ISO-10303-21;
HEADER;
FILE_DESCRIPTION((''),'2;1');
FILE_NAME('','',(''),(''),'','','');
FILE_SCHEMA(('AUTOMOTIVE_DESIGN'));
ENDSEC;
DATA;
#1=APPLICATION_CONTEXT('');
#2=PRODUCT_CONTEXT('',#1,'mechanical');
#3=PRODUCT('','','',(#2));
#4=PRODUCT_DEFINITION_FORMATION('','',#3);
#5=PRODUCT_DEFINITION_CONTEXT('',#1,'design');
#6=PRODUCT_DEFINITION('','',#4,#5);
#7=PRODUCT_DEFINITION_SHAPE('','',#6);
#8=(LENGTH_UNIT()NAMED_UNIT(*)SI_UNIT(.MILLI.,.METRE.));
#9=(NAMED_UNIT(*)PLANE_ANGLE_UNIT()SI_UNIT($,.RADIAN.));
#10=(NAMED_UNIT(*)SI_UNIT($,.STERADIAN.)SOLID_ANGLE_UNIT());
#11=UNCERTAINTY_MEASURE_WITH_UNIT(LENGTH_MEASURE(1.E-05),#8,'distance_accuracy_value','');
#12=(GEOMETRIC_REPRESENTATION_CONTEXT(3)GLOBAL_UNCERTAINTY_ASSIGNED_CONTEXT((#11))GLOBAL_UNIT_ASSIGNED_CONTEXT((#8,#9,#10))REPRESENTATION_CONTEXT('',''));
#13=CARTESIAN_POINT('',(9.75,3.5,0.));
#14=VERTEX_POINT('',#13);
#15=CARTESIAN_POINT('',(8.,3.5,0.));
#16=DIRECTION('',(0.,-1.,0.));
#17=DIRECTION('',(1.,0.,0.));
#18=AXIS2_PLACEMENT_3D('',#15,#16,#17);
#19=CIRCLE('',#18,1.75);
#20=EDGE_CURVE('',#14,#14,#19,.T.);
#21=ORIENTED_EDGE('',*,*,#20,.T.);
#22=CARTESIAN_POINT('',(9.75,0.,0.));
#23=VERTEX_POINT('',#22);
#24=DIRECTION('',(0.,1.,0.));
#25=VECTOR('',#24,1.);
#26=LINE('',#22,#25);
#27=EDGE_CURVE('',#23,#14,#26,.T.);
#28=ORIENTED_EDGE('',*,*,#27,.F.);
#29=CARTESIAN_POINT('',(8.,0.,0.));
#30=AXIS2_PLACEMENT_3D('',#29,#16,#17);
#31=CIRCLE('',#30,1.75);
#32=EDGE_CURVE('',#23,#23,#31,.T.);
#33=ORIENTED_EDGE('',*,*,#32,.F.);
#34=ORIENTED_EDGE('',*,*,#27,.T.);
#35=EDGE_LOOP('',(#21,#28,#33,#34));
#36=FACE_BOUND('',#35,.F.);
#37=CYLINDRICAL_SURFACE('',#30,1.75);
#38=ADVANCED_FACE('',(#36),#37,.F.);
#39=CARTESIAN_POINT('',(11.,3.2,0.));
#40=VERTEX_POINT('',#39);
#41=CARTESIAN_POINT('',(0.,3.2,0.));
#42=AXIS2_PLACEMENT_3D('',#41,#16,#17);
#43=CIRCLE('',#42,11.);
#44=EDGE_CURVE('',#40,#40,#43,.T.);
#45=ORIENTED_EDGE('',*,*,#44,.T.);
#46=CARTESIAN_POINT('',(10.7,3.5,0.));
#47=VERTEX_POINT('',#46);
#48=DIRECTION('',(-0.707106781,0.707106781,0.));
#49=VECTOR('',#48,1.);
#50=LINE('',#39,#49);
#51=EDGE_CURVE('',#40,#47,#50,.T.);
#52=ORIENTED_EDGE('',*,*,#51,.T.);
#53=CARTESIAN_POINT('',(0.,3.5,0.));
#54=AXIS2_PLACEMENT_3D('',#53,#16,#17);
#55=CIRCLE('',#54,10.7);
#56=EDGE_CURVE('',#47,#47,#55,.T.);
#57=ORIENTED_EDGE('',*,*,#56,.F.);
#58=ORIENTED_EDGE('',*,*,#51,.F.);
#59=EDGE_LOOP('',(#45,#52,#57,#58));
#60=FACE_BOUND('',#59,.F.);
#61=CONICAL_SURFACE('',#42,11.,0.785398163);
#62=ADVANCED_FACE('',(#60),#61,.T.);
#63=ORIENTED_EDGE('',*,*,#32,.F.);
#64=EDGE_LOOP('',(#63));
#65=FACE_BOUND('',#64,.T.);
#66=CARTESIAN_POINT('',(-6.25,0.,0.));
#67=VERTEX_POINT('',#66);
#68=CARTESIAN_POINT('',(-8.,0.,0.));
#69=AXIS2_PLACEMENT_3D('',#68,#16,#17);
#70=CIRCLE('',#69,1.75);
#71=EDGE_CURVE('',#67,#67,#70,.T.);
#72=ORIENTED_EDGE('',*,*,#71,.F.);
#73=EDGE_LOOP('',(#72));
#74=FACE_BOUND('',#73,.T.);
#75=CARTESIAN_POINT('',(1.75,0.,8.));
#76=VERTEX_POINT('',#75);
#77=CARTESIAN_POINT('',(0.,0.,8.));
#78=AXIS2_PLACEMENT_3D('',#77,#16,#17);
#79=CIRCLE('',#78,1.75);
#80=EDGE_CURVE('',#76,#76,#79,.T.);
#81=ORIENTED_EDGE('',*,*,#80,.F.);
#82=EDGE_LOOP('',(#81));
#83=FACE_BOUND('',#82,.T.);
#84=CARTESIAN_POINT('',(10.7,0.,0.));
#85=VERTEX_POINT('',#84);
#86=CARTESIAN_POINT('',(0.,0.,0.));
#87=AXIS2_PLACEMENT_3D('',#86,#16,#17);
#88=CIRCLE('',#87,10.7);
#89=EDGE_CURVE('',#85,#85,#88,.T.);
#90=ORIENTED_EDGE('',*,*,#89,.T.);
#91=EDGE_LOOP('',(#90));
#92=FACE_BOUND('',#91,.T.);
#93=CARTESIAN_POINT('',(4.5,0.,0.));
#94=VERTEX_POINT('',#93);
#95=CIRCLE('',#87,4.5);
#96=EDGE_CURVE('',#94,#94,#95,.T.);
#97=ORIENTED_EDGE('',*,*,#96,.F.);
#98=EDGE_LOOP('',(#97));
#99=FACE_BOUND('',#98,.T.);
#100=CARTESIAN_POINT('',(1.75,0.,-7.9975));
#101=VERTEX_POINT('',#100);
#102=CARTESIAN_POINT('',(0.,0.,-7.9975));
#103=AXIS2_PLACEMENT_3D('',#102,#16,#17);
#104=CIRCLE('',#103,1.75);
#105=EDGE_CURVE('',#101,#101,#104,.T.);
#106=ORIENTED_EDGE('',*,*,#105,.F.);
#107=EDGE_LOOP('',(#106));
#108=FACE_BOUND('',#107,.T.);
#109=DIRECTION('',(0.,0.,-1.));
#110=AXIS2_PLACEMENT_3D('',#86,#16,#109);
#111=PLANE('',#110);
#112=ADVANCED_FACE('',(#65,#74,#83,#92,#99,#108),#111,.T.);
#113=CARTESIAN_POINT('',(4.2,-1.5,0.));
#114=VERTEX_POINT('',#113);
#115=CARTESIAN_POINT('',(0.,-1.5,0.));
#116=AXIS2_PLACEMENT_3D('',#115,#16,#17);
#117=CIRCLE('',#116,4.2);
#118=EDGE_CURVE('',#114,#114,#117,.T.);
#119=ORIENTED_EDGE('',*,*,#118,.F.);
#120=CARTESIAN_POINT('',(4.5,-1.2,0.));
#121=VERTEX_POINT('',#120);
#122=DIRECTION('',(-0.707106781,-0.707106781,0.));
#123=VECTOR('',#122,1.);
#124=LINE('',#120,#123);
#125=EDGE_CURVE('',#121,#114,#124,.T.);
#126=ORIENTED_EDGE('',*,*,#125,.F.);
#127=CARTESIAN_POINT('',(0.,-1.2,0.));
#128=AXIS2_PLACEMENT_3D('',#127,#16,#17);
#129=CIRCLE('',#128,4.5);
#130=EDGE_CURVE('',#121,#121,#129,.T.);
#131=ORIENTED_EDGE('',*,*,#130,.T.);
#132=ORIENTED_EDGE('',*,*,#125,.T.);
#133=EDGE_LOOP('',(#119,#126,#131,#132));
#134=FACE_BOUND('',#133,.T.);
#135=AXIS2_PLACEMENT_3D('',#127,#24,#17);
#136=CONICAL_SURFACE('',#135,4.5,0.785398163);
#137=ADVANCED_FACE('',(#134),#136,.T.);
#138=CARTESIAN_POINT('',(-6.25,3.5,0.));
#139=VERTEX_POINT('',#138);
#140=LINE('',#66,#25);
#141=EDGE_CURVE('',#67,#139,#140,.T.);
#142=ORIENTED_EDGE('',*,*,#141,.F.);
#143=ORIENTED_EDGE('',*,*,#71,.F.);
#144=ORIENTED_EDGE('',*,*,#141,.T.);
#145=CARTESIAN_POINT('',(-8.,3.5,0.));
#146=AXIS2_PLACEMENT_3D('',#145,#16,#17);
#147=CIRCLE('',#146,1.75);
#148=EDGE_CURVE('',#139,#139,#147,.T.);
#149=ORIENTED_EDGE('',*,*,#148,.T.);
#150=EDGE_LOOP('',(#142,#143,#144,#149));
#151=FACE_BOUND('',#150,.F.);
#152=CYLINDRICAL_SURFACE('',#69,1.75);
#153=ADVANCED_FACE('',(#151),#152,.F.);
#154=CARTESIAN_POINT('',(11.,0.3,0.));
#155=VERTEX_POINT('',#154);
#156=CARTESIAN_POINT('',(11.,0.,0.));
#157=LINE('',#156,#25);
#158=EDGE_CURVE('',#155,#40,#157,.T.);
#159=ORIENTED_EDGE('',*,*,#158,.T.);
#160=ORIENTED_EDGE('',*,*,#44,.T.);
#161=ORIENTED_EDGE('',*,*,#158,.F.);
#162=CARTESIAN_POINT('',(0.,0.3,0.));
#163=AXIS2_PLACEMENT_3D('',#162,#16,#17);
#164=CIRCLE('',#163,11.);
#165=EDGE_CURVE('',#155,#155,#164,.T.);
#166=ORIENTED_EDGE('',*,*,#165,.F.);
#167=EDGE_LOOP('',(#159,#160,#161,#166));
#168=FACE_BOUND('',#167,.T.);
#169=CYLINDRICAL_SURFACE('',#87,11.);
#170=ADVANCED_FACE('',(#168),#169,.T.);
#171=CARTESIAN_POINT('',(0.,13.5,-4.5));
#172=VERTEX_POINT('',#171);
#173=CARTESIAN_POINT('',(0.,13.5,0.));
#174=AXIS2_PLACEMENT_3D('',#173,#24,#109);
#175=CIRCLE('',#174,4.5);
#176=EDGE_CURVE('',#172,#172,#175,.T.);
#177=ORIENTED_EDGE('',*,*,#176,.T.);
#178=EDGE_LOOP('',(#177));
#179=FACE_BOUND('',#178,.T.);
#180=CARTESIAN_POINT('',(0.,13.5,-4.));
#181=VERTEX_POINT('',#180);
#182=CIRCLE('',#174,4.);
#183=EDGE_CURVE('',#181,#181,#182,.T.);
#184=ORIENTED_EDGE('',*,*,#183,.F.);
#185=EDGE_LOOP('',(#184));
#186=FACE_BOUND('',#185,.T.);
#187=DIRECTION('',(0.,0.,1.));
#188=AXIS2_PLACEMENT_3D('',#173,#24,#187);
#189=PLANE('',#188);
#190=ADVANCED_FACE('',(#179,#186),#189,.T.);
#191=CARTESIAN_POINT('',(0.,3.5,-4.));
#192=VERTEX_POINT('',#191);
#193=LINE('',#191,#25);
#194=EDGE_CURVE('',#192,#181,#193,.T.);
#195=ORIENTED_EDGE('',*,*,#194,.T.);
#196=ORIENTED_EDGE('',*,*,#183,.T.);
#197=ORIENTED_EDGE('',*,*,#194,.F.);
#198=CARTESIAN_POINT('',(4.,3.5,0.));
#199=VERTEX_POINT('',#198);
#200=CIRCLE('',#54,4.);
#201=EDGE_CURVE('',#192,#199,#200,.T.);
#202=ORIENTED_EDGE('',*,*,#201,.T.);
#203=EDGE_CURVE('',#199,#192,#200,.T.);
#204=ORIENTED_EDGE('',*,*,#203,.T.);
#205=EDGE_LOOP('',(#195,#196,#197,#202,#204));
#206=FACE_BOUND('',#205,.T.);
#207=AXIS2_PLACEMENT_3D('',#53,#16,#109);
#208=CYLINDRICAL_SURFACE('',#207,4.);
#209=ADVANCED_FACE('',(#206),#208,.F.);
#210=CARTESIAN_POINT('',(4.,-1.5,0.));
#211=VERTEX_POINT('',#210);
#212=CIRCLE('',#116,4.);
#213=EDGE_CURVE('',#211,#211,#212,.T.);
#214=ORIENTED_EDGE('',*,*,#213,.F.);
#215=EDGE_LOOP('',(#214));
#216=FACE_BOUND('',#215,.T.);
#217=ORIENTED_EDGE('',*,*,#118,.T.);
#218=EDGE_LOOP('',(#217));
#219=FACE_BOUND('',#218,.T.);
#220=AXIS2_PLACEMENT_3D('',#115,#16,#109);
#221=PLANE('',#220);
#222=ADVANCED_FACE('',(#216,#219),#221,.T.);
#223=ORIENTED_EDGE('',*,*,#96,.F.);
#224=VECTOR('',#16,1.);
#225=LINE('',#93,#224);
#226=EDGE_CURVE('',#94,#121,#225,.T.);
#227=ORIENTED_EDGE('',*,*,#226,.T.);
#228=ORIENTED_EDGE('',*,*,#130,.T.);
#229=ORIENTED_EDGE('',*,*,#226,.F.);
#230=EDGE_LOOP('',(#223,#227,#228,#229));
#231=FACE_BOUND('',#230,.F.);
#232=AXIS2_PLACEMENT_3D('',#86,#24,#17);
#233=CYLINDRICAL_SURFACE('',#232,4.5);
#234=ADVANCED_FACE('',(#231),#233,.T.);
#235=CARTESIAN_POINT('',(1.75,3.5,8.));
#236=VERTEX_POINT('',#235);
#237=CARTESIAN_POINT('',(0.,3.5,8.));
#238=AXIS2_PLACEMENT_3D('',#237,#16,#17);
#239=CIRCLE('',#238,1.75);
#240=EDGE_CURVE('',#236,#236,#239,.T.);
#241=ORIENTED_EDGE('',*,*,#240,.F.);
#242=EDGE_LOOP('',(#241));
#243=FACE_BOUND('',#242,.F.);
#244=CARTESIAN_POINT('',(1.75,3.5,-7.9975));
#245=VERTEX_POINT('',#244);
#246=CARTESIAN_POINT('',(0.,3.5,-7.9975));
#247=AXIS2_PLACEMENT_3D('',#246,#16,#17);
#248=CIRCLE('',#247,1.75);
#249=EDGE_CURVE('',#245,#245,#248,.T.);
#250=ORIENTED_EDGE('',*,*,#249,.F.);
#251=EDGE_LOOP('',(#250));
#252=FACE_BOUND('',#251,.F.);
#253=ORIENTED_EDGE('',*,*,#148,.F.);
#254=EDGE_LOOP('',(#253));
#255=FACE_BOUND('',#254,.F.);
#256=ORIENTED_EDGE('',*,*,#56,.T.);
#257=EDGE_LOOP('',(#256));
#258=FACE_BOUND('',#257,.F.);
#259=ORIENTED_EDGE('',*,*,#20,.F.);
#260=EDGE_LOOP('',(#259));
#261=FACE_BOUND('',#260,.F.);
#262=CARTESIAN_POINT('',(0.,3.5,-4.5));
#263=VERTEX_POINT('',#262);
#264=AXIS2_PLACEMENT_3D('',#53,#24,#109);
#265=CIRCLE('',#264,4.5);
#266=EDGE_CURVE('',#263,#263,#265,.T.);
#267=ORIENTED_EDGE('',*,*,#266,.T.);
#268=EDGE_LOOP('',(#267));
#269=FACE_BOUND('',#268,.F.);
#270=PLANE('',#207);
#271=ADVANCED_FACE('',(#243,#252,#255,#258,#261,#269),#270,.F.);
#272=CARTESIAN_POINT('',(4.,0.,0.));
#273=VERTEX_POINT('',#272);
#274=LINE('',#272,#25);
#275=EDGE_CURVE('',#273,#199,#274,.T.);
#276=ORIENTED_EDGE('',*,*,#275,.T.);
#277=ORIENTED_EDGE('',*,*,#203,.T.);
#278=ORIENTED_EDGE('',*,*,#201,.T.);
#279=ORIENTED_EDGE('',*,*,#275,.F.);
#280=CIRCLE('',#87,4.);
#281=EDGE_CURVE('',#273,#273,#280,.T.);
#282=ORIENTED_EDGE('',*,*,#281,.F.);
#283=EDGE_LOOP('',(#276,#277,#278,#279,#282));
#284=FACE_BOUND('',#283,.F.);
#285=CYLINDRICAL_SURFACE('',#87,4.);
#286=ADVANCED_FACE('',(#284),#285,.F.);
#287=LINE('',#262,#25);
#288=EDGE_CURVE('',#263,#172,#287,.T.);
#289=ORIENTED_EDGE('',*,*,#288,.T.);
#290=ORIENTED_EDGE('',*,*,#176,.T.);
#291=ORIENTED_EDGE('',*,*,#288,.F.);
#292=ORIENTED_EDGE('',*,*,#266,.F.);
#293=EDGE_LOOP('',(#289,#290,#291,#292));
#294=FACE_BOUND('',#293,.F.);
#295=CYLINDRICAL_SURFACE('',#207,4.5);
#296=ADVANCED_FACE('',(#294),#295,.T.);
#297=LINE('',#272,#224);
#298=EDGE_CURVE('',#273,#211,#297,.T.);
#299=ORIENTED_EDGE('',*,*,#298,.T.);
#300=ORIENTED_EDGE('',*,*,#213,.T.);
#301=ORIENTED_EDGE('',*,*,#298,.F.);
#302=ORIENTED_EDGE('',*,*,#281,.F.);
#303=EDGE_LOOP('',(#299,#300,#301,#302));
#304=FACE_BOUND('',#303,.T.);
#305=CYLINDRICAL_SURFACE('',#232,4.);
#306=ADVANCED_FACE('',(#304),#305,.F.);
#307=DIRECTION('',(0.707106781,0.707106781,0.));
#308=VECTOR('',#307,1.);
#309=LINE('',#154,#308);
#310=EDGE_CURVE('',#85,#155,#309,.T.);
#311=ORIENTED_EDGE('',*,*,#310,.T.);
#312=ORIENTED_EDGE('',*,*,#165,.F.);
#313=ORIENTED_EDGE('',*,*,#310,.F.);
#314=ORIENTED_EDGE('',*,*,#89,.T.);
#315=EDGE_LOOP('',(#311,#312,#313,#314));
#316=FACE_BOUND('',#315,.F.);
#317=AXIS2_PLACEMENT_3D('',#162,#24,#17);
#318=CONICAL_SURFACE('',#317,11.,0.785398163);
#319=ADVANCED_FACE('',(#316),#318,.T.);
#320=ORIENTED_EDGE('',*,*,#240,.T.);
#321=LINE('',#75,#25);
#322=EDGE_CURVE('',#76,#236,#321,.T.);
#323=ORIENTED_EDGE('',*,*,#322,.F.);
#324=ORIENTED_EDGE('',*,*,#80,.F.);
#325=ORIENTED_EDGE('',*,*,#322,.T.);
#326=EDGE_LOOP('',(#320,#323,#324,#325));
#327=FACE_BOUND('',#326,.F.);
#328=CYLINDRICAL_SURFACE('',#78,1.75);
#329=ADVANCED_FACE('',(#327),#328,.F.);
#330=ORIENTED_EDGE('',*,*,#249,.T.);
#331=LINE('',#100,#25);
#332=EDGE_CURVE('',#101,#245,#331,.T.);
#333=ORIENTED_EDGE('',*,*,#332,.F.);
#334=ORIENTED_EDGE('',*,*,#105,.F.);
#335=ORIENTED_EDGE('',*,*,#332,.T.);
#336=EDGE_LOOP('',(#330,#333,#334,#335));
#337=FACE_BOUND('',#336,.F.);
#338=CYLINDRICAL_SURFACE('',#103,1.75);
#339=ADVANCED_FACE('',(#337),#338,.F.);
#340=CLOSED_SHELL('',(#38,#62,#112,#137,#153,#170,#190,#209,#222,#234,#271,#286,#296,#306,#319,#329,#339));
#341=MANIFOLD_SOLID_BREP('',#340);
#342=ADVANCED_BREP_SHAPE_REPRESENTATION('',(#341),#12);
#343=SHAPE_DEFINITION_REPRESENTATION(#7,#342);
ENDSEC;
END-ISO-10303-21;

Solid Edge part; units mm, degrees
sketch "Sketch1" plane through (0, 0, 0) normal (0, -1, 0) x (1, 0, 0)
  circle A0 centre (0, 0) radius 11
  circle A1 centre (8, 0) radius 1.75
  circle A2 centre (0, -7.9975) radius 1.75
  circle A3 centre (-8, 0) radius 1.75
  circle A4 centre (0, 8) radius 1.75
  circle A5 centre (0, 0) radius 4
  dimension "D1" = 22
  dimension "D2" = 8
  dimension "D3" = 3.5
  dimension "D4" = 15.9975
  dimension "D5" = 3.5
  dimension "D6" = 3.5
  dimension "D7" = 3.5
extrude "Protrusion1" add sketch "Sketch1" against normal blind 3.5
sketch "Sketch2" plane through (0, 0, 0) normal (0, -1, 0) x (1, 0, 0)
  circle A0 centre (0, 0) radius 4
  circle A1 centre (0, 0) radius 4.5
extrude "ExtrudedProtrusion_2" add sketch "Sketch2" along normal blind 1.5
chamfer "Chamfer_1" distance 0.3 angle 45 1 edges at (-4.5, -1.5, 0)
chamfer "Chamfer_2" distance 0.3 angle 45 2 edges at (-11, 0, 0) (-11, 3.5, 0)
sketch "Sketch3" plane through (0, 3.5, 0) normal (0, 1, 0) x (0, 0, -1)
  circle A0 centre (0, 0) radius 4.5
  circle A1 centre (0, 0) radius 4
extrude "ExtrudedProtrusion_3" add sketch "Sketch3" along normal blind 10
properties material "Brass, yellow brass"
